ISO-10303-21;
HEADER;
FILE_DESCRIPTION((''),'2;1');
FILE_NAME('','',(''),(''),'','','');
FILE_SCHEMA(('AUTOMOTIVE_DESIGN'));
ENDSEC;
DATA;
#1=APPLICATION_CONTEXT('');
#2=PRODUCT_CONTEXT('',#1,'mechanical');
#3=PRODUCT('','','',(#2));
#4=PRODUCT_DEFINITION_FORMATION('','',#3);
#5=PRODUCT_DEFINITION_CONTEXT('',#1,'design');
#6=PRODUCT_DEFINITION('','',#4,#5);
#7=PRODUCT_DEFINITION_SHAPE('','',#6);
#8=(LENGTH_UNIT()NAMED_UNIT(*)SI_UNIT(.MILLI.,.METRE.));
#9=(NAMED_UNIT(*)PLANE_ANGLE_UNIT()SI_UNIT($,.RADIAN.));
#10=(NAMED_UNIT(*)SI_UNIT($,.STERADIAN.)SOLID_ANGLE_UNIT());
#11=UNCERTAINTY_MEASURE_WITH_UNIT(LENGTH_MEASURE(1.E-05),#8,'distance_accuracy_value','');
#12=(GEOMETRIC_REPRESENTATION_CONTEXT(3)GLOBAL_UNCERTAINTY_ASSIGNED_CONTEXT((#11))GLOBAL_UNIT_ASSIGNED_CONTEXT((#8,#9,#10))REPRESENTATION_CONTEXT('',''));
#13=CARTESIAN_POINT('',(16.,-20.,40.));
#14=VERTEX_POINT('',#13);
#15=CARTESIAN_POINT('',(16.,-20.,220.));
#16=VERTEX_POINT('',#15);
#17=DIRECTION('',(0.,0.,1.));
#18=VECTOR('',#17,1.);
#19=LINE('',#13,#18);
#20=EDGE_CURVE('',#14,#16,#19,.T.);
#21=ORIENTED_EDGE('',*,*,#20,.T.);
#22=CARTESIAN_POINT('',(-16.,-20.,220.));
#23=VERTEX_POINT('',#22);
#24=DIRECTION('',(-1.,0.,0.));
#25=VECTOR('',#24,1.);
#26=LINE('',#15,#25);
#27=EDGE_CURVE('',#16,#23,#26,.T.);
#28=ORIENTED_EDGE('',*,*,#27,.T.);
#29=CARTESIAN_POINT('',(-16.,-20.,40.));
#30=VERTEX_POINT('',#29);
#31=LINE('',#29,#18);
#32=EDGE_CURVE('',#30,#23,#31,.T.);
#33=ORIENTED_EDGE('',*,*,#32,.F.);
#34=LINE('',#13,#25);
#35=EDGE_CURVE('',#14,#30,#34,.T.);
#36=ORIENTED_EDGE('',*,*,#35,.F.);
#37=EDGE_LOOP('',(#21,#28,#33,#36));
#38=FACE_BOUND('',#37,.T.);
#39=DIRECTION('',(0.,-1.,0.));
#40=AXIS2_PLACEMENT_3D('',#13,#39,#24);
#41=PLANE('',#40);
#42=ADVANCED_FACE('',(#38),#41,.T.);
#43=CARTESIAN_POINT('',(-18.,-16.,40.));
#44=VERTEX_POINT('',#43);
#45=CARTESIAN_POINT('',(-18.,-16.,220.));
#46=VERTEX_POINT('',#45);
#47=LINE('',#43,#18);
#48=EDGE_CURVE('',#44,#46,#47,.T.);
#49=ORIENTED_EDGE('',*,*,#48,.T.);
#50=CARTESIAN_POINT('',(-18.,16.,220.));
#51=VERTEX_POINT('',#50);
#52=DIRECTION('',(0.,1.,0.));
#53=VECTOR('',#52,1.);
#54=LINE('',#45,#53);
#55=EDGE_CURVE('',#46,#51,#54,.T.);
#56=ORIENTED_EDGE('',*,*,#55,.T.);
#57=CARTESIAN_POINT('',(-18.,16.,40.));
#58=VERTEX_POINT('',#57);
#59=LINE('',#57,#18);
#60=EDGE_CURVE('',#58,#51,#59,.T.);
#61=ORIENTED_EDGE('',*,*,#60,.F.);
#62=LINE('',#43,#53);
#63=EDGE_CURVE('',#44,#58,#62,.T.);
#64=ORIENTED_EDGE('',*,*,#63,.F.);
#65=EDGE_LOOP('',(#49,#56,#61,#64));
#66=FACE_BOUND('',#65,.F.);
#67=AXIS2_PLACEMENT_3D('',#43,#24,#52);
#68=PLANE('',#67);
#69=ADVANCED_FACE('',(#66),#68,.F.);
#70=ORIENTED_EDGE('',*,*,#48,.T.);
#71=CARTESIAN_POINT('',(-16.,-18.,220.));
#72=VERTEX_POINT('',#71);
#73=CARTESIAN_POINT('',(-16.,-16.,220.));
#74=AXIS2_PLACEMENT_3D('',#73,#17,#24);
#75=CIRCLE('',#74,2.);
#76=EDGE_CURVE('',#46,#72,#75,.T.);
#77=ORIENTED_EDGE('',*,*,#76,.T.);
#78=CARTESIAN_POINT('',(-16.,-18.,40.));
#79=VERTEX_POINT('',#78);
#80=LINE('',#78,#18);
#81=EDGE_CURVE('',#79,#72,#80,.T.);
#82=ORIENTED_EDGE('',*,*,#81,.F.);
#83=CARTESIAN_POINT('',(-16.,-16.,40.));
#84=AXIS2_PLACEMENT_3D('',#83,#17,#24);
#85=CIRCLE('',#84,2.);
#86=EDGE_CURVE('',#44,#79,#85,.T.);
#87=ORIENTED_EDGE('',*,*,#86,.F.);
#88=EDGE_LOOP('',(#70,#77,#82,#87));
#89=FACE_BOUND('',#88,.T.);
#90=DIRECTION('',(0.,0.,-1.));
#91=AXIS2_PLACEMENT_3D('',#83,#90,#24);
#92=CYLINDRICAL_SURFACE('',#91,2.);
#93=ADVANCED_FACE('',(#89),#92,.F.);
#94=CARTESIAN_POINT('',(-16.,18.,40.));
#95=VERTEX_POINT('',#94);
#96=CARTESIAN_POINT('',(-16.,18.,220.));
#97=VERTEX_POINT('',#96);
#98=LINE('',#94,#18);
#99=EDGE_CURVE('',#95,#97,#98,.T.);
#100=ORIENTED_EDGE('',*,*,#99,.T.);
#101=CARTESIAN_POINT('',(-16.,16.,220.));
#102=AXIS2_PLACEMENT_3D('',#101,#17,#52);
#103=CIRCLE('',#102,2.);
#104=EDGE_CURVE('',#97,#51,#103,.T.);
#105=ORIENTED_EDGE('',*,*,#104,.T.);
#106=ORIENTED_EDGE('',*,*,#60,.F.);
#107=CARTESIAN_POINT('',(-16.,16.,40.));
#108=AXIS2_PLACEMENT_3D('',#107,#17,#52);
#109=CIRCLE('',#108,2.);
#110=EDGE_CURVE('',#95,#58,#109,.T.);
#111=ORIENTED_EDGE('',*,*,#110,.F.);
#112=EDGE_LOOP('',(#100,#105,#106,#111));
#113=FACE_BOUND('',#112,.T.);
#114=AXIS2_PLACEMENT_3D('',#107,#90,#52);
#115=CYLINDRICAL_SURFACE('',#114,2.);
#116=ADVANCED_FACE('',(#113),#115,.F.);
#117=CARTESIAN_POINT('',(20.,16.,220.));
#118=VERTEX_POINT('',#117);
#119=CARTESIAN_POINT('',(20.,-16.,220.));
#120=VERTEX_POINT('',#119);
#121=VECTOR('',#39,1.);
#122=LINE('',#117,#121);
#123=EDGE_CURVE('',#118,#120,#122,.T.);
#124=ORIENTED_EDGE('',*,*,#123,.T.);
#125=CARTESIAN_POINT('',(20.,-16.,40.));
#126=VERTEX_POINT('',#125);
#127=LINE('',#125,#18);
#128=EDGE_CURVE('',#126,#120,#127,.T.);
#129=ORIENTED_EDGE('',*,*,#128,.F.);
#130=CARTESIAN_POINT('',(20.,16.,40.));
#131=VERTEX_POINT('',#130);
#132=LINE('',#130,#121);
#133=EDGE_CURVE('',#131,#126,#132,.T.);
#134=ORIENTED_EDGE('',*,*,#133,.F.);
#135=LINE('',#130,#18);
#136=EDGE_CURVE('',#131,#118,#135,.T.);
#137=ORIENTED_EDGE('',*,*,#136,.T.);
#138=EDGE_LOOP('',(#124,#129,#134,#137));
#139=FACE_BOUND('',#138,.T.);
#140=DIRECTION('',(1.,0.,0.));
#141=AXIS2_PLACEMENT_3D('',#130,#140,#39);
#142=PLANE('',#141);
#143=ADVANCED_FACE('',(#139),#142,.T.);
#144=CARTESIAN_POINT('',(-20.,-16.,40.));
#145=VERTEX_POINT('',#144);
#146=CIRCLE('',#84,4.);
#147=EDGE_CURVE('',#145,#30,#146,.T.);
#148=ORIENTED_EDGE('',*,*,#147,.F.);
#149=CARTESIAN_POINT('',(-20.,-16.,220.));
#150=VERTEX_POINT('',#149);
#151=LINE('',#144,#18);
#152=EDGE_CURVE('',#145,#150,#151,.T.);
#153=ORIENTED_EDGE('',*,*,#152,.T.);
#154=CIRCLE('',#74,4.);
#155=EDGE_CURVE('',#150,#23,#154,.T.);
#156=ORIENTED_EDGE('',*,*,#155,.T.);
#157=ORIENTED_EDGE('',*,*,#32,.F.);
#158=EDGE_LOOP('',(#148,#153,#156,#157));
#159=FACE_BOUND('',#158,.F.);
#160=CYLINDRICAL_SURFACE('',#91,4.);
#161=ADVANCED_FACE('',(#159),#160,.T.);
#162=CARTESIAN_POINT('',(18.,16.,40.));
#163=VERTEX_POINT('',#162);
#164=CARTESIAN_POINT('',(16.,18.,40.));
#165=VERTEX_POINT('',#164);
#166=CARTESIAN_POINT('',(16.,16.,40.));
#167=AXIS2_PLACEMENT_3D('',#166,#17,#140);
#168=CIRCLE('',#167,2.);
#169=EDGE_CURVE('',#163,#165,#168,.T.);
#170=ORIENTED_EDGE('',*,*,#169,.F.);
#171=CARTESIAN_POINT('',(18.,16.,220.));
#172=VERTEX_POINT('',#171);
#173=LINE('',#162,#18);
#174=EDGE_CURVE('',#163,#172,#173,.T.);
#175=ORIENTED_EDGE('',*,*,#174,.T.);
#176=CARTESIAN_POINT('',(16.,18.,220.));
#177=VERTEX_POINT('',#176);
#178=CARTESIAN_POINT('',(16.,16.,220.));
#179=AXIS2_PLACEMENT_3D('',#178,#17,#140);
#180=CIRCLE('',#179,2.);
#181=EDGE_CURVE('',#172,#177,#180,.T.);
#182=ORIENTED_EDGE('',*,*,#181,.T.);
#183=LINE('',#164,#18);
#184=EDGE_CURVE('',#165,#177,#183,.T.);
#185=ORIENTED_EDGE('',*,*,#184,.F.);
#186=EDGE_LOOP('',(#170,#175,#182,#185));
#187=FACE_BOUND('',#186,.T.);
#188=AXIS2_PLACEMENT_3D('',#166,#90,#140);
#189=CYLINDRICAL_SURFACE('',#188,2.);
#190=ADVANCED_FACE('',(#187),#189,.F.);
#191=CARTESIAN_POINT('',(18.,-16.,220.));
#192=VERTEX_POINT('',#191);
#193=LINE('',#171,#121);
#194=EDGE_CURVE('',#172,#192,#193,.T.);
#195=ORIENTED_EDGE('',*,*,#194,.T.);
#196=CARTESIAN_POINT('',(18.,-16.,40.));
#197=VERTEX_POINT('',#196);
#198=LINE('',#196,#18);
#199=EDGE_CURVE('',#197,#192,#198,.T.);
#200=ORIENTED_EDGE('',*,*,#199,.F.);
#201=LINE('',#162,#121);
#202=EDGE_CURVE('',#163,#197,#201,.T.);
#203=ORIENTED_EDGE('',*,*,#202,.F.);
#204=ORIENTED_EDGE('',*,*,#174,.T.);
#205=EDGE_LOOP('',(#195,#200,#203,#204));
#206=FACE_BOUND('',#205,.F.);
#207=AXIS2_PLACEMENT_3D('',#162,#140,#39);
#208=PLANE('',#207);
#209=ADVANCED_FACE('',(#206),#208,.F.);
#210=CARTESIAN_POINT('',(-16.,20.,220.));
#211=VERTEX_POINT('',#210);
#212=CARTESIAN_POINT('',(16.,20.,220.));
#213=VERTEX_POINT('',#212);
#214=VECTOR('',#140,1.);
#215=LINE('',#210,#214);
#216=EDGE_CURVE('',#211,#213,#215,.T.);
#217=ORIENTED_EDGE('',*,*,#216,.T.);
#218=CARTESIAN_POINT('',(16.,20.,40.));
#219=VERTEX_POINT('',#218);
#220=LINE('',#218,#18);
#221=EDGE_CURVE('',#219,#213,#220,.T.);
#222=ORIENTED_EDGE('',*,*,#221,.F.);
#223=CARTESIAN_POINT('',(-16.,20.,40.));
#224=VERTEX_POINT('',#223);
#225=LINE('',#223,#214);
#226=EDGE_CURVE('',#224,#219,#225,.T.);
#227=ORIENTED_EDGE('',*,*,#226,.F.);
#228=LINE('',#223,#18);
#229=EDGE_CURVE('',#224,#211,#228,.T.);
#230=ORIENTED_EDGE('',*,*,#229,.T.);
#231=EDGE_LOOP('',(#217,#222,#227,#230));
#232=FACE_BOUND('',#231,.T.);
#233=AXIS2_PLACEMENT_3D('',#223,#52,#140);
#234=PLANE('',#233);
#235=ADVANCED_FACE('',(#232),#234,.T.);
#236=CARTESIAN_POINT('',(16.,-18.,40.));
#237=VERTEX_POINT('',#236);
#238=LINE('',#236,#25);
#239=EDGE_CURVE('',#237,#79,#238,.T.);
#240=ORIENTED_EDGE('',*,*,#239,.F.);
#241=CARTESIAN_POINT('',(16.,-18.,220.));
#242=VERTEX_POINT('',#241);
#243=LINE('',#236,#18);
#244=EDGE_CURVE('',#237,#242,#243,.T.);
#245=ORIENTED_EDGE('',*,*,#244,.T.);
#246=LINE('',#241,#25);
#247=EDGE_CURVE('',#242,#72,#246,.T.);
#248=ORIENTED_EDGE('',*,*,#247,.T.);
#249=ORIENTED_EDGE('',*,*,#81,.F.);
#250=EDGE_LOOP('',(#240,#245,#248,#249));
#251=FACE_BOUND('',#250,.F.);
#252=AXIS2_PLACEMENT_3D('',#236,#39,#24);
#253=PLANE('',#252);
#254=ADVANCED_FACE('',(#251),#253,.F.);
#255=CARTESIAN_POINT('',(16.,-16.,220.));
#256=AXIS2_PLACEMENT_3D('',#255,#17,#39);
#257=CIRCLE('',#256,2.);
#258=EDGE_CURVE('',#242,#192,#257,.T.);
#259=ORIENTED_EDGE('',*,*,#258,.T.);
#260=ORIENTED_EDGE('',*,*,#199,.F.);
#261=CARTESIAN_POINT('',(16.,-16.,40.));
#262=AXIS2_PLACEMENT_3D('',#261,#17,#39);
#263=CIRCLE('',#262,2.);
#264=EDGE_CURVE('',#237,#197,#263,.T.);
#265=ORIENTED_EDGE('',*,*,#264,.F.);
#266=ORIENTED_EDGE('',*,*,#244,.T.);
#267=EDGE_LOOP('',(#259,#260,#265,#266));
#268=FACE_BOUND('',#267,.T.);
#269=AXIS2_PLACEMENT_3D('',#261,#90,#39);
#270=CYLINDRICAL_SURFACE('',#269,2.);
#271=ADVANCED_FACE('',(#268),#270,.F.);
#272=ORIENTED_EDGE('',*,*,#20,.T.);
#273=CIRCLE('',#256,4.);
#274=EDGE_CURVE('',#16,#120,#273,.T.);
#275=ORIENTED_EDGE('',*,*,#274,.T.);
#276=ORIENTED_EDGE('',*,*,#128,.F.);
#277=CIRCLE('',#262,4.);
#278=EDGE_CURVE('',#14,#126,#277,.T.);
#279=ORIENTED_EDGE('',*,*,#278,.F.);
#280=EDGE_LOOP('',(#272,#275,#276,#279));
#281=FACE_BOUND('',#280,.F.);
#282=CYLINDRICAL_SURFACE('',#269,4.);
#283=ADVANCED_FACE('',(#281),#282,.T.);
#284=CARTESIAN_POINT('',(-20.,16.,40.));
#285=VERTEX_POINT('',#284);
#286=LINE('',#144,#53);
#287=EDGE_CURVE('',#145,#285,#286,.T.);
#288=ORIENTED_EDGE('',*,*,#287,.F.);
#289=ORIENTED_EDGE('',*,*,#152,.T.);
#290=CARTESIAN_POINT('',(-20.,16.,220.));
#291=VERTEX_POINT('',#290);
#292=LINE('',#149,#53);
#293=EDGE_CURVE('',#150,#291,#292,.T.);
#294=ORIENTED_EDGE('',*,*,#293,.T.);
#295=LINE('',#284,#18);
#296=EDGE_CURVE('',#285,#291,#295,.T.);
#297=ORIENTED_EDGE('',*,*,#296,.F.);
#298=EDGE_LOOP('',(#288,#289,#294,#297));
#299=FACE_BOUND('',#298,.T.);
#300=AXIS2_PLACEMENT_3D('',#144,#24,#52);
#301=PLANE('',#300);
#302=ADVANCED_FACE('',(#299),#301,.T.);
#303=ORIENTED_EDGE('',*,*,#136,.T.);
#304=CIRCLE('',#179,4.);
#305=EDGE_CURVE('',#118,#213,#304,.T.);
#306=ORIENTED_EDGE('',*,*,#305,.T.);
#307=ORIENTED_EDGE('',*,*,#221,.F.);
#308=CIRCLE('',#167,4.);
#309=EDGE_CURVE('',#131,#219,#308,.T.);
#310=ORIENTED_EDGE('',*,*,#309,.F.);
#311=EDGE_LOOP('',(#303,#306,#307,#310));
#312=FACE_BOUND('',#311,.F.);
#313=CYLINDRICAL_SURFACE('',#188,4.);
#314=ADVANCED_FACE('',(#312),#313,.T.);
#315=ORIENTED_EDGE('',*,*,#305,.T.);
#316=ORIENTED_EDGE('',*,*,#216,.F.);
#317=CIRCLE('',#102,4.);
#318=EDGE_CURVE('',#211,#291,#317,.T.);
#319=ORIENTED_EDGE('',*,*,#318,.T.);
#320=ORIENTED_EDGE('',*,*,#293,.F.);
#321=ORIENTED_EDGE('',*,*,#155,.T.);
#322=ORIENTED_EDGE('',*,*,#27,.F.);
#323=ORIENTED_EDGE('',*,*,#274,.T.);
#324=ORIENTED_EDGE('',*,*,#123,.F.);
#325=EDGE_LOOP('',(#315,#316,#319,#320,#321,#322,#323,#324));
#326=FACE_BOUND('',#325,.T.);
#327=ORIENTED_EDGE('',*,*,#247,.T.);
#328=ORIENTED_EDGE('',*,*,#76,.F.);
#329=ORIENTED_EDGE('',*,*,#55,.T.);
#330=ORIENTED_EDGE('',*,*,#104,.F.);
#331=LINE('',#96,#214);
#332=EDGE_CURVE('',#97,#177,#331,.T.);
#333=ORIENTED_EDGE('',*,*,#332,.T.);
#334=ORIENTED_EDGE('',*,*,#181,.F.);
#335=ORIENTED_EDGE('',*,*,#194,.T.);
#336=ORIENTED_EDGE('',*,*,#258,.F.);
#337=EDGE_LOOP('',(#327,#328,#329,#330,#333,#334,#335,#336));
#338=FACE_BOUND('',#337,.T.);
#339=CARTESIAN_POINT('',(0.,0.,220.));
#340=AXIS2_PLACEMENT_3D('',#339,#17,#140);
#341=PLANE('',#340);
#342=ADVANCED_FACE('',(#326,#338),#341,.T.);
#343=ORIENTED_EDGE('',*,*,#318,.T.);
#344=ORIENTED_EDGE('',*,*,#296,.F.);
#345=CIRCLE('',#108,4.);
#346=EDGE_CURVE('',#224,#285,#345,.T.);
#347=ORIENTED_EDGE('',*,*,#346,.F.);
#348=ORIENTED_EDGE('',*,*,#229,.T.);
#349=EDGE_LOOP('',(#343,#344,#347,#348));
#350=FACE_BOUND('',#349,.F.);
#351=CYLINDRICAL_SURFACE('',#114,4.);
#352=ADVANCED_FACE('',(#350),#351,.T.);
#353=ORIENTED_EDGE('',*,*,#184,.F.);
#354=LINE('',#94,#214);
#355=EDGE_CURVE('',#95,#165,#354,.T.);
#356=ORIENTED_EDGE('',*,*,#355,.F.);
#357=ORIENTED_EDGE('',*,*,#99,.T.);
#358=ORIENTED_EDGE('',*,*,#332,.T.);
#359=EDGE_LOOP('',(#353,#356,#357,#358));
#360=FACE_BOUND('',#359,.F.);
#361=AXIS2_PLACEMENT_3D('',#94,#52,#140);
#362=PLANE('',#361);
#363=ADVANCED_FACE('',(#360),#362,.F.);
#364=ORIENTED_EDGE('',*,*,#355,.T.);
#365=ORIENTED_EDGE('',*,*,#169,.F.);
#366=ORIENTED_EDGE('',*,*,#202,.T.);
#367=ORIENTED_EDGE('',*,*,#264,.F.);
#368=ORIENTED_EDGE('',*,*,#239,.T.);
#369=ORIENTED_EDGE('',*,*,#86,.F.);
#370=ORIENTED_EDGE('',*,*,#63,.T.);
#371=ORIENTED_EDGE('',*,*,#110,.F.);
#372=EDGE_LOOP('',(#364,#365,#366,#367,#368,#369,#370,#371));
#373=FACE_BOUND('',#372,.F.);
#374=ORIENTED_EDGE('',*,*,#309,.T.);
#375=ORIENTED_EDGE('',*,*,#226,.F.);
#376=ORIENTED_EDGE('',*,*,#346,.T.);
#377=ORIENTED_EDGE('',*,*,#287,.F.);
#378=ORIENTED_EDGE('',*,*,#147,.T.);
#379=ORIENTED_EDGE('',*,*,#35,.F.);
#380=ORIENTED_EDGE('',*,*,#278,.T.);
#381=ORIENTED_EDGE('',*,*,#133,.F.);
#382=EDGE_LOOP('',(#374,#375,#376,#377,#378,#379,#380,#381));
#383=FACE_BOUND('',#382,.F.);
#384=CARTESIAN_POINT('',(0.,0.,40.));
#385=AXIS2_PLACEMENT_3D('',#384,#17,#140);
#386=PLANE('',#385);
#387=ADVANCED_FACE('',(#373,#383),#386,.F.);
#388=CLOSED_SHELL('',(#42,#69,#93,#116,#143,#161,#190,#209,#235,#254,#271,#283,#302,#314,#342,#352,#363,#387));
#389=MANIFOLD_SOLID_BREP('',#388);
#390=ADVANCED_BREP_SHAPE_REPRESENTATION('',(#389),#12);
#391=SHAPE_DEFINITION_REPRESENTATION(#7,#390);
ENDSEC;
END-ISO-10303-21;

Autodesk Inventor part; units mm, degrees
ref_plane "YZ Plane" through (0, 0, 0) normal (1, 0, 0) x (0, 1, 0)
ref_plane "Start Plane" through (0, 0, 40) normal (0, 0, 1) x (1, 0, 0)
ref_plane "End Plane" through (0, 0, 220) normal (0, 0, 1) x (1, 0, 0)
sketch "Sketch" plane through (0, 0, 0) normal (0, 0, 1) x (1, 0, 0)
  line L0 (-20, -16) -> (-20, 16)
  line L1 (-16, 20) -> (16, 20)
  line L2 (20, 16) -> (20, -16)
  line L3 (16, -20) -> (-16, -20)
  arc A0 (-20, -16) -> (-16, -20) centre (-16, -16) ccw
  arc A1 (20, 16) -> (16, 20) centre (16, 16) ccw
  arc A2 (-16, 20) -> (-20, 16) centre (-16, 16) ccw
  arc A3 (16, -20) -> (20, -16) centre (16, -16) ccw
  arc A4 (-16, 18) -> (-18, 16) centre (-16, 16) ccw
  line L4 (-16, 18) -> (16, 18)
  arc A5 (18, 16) -> (16, 18) centre (16, 16) ccw
  line L5 (18, 16) -> (18, -16)
  arc A6 (16, -18) -> (18, -16) centre (16, -16) ccw
  line L6 (16, -18) -> (-16, -18)
  arc A7 (-18, -16) -> (-16, -18) centre (-16, -16) ccw
  line L7 (-18, -16) -> (-18, 16)
  line L8 (0, 29.1598) -> (0, -29.1598) construction
  line L9 (-29.1598, 0) -> (29.1598, 0) construction
  dimension "d7" = 4
  dimension "d9" = 40
  dimension "d11" = 40
  dimension "d12" = 2
  dimension "d15" = 20
  dimension "d16" = 20
extrude "Body" add sketch "Sketch" along normal up to surface (180 mm away) from surface at 40
sketch "Sketch3" plane through (0, 0, 0) normal (0, 0, 1) x (1, 0, 0)
  line L0 (0, 0) -> (10, 0)
ref_plane "Work Plane3" through (0, 0, 0) normal (0, -1, 0) x (1, 0, 0)
sketch "Sketch4" plane through (0, 0, 0) normal (0, -1, 0) x (1, 0, 0)
  line L0 (-2, 40) -> (12, 40) projected
  line L1 (-2, 220) -> (12, 220) projected
  dimension "d18" = 180
equation "\"d7\" = G_IR"
equation "\"d9\" = G_W"
equation "\"d11\" = G_H"
equation "\"d12\" = G_T"
equation "\"d15\" = 0.5 * d9"
equation "\"d16\" = 0.5 * d11"
equation "\"d3\" = G_L"
equation "\"G_W\" = 40"
equation "\"G_H\" = 40"
equation "\"G_T\" = 2"
equation "\"G_IR\" = 4"
equation "\"G_L\" = d18"
properties part number "ISO 4019 - 40x40x2 - 180" material "Steel, Mild"
